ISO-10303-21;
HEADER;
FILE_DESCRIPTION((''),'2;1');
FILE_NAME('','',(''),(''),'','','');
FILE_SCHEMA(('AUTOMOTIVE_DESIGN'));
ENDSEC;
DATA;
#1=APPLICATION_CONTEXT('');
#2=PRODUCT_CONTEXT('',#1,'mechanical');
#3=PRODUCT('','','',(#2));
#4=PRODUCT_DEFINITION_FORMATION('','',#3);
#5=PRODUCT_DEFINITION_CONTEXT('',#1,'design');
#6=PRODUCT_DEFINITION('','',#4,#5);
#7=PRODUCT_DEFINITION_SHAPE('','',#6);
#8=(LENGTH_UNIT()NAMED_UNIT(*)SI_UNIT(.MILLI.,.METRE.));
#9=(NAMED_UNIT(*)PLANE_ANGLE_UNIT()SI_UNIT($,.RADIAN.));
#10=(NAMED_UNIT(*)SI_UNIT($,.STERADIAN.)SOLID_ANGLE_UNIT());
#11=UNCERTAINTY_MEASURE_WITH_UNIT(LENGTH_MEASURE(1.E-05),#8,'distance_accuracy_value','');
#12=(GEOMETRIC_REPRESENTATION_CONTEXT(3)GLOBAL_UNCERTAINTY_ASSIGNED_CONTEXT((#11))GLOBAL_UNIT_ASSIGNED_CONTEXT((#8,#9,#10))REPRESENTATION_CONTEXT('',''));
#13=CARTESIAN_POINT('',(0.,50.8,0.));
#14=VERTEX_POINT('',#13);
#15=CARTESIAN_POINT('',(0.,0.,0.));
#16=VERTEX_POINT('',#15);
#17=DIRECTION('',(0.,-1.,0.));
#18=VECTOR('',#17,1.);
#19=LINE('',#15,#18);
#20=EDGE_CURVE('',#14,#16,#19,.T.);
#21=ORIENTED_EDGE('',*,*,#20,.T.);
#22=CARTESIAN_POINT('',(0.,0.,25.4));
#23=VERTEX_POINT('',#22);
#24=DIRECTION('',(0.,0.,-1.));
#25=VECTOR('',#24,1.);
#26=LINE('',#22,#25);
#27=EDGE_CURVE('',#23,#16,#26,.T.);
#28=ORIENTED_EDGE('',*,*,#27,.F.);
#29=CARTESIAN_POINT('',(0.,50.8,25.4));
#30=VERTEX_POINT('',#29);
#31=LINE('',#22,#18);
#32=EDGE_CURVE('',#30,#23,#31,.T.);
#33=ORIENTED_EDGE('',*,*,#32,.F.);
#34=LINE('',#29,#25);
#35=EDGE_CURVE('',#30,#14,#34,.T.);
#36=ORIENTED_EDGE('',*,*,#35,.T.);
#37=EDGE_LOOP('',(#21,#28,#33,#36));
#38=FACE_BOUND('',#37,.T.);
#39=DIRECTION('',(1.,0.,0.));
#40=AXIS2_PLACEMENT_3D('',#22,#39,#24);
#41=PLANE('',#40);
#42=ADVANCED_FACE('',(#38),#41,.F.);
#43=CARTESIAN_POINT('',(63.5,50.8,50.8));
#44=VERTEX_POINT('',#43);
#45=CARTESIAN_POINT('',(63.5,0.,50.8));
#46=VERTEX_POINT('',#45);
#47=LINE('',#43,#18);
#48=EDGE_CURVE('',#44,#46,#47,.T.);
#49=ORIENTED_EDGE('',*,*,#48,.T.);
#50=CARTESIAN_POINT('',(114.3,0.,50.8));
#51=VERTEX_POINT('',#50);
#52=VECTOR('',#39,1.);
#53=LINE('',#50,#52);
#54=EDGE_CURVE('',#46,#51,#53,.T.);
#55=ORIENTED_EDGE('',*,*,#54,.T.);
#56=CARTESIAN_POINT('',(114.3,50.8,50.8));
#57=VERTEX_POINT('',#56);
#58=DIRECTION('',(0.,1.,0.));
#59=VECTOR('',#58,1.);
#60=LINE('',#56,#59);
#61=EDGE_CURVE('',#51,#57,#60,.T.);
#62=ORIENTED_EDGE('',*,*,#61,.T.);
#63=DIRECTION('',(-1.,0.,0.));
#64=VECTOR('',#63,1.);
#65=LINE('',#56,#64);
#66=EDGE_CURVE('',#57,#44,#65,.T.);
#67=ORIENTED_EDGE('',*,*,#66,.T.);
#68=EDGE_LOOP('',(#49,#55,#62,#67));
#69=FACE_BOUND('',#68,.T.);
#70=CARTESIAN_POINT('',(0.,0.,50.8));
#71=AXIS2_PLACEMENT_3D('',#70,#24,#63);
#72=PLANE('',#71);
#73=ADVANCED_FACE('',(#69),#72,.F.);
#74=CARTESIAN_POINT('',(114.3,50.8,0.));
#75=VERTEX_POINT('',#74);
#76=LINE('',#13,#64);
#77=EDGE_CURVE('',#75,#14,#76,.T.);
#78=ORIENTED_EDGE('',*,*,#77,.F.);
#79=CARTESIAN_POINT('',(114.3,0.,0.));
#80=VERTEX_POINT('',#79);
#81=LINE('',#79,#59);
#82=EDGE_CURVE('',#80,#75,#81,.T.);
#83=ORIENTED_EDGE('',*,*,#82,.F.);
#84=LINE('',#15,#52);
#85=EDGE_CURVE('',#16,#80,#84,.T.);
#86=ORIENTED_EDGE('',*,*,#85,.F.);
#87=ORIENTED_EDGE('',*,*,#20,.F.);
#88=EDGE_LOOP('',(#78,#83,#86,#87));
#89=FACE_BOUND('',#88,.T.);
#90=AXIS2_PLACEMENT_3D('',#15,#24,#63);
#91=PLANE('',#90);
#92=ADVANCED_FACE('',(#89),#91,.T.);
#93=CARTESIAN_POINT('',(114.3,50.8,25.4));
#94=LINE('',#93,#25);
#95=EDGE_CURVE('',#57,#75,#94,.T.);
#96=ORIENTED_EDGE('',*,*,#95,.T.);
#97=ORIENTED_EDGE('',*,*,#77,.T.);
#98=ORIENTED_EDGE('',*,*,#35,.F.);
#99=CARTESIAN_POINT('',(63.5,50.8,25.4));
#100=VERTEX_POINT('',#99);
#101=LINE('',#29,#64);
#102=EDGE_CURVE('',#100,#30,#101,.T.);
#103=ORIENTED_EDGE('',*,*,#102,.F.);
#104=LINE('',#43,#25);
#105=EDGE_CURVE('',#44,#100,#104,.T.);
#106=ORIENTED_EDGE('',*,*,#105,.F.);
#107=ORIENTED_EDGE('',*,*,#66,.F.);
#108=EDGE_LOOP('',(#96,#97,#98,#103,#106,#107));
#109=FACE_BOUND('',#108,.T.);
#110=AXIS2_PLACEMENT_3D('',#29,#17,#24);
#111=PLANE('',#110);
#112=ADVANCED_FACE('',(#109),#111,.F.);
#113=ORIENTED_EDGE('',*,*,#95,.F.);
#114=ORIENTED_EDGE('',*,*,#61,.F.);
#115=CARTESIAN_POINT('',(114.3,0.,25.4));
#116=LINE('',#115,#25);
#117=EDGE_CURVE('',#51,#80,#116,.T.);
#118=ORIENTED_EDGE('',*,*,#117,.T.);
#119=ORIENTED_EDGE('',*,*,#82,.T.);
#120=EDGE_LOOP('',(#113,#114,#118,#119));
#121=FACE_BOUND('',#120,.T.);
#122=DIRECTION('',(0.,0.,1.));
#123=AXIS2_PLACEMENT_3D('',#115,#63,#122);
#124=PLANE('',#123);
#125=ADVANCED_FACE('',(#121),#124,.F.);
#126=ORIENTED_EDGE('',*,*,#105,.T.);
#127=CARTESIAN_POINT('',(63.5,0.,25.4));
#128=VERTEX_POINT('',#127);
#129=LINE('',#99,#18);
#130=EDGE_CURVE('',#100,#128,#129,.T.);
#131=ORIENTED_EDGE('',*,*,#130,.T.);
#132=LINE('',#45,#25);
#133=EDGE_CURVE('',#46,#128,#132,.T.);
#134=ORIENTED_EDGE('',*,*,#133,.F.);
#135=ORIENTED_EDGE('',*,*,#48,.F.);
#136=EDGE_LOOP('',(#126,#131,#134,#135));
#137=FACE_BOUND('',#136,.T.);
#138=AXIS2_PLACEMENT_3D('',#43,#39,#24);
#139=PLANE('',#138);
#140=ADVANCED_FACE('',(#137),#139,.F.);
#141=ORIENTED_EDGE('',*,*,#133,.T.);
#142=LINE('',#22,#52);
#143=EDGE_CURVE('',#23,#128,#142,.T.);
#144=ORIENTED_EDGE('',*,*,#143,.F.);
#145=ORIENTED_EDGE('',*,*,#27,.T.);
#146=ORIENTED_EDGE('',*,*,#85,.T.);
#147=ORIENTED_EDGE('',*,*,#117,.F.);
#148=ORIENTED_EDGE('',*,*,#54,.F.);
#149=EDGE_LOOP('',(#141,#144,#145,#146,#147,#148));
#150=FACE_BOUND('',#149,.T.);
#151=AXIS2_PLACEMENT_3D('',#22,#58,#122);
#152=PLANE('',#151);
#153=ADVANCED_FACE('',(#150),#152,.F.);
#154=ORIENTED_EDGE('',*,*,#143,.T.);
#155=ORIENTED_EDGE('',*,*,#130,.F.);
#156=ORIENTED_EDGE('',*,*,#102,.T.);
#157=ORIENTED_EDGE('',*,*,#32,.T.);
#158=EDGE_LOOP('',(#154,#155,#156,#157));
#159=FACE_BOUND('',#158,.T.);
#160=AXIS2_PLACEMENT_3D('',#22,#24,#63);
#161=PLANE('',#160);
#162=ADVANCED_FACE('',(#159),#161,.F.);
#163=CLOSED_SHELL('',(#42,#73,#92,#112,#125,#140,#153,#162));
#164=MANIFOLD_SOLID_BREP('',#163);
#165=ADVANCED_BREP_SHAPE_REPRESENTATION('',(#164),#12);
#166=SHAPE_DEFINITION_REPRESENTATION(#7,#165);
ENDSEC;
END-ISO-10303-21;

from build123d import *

# Parameters (mm, degrees)
SKETCH1_W           = 114.3
SKETCH1_H           = 50.8
BOSS_EXTRUDE1_DEPTH = 25.4
SKETCH2_W           = 50.8
SKETCH2_H           = 50.8
BOSS_EXTRUDE2_DEPTH = 25.4


with BuildPart() as part:
    # Sketch1 → Boss-Extrude1 (new body)
    with BuildSketch(Plane.XY):
        with Locations((57.15, 25.4)):
            Rectangle(SKETCH1_W, SKETCH1_H)
    extrude(amount=BOSS_EXTRUDE1_DEPTH)

    # Sketch2 → Boss-Extrude2 (add)
    with BuildSketch(Plane.XY.offset(25.4)):
        with Locations((88.9, 25.4)):
            Rectangle(SKETCH2_W, SKETCH2_H)
    extrude(amount=BOSS_EXTRUDE2_DEPTH)


solid = part.part
